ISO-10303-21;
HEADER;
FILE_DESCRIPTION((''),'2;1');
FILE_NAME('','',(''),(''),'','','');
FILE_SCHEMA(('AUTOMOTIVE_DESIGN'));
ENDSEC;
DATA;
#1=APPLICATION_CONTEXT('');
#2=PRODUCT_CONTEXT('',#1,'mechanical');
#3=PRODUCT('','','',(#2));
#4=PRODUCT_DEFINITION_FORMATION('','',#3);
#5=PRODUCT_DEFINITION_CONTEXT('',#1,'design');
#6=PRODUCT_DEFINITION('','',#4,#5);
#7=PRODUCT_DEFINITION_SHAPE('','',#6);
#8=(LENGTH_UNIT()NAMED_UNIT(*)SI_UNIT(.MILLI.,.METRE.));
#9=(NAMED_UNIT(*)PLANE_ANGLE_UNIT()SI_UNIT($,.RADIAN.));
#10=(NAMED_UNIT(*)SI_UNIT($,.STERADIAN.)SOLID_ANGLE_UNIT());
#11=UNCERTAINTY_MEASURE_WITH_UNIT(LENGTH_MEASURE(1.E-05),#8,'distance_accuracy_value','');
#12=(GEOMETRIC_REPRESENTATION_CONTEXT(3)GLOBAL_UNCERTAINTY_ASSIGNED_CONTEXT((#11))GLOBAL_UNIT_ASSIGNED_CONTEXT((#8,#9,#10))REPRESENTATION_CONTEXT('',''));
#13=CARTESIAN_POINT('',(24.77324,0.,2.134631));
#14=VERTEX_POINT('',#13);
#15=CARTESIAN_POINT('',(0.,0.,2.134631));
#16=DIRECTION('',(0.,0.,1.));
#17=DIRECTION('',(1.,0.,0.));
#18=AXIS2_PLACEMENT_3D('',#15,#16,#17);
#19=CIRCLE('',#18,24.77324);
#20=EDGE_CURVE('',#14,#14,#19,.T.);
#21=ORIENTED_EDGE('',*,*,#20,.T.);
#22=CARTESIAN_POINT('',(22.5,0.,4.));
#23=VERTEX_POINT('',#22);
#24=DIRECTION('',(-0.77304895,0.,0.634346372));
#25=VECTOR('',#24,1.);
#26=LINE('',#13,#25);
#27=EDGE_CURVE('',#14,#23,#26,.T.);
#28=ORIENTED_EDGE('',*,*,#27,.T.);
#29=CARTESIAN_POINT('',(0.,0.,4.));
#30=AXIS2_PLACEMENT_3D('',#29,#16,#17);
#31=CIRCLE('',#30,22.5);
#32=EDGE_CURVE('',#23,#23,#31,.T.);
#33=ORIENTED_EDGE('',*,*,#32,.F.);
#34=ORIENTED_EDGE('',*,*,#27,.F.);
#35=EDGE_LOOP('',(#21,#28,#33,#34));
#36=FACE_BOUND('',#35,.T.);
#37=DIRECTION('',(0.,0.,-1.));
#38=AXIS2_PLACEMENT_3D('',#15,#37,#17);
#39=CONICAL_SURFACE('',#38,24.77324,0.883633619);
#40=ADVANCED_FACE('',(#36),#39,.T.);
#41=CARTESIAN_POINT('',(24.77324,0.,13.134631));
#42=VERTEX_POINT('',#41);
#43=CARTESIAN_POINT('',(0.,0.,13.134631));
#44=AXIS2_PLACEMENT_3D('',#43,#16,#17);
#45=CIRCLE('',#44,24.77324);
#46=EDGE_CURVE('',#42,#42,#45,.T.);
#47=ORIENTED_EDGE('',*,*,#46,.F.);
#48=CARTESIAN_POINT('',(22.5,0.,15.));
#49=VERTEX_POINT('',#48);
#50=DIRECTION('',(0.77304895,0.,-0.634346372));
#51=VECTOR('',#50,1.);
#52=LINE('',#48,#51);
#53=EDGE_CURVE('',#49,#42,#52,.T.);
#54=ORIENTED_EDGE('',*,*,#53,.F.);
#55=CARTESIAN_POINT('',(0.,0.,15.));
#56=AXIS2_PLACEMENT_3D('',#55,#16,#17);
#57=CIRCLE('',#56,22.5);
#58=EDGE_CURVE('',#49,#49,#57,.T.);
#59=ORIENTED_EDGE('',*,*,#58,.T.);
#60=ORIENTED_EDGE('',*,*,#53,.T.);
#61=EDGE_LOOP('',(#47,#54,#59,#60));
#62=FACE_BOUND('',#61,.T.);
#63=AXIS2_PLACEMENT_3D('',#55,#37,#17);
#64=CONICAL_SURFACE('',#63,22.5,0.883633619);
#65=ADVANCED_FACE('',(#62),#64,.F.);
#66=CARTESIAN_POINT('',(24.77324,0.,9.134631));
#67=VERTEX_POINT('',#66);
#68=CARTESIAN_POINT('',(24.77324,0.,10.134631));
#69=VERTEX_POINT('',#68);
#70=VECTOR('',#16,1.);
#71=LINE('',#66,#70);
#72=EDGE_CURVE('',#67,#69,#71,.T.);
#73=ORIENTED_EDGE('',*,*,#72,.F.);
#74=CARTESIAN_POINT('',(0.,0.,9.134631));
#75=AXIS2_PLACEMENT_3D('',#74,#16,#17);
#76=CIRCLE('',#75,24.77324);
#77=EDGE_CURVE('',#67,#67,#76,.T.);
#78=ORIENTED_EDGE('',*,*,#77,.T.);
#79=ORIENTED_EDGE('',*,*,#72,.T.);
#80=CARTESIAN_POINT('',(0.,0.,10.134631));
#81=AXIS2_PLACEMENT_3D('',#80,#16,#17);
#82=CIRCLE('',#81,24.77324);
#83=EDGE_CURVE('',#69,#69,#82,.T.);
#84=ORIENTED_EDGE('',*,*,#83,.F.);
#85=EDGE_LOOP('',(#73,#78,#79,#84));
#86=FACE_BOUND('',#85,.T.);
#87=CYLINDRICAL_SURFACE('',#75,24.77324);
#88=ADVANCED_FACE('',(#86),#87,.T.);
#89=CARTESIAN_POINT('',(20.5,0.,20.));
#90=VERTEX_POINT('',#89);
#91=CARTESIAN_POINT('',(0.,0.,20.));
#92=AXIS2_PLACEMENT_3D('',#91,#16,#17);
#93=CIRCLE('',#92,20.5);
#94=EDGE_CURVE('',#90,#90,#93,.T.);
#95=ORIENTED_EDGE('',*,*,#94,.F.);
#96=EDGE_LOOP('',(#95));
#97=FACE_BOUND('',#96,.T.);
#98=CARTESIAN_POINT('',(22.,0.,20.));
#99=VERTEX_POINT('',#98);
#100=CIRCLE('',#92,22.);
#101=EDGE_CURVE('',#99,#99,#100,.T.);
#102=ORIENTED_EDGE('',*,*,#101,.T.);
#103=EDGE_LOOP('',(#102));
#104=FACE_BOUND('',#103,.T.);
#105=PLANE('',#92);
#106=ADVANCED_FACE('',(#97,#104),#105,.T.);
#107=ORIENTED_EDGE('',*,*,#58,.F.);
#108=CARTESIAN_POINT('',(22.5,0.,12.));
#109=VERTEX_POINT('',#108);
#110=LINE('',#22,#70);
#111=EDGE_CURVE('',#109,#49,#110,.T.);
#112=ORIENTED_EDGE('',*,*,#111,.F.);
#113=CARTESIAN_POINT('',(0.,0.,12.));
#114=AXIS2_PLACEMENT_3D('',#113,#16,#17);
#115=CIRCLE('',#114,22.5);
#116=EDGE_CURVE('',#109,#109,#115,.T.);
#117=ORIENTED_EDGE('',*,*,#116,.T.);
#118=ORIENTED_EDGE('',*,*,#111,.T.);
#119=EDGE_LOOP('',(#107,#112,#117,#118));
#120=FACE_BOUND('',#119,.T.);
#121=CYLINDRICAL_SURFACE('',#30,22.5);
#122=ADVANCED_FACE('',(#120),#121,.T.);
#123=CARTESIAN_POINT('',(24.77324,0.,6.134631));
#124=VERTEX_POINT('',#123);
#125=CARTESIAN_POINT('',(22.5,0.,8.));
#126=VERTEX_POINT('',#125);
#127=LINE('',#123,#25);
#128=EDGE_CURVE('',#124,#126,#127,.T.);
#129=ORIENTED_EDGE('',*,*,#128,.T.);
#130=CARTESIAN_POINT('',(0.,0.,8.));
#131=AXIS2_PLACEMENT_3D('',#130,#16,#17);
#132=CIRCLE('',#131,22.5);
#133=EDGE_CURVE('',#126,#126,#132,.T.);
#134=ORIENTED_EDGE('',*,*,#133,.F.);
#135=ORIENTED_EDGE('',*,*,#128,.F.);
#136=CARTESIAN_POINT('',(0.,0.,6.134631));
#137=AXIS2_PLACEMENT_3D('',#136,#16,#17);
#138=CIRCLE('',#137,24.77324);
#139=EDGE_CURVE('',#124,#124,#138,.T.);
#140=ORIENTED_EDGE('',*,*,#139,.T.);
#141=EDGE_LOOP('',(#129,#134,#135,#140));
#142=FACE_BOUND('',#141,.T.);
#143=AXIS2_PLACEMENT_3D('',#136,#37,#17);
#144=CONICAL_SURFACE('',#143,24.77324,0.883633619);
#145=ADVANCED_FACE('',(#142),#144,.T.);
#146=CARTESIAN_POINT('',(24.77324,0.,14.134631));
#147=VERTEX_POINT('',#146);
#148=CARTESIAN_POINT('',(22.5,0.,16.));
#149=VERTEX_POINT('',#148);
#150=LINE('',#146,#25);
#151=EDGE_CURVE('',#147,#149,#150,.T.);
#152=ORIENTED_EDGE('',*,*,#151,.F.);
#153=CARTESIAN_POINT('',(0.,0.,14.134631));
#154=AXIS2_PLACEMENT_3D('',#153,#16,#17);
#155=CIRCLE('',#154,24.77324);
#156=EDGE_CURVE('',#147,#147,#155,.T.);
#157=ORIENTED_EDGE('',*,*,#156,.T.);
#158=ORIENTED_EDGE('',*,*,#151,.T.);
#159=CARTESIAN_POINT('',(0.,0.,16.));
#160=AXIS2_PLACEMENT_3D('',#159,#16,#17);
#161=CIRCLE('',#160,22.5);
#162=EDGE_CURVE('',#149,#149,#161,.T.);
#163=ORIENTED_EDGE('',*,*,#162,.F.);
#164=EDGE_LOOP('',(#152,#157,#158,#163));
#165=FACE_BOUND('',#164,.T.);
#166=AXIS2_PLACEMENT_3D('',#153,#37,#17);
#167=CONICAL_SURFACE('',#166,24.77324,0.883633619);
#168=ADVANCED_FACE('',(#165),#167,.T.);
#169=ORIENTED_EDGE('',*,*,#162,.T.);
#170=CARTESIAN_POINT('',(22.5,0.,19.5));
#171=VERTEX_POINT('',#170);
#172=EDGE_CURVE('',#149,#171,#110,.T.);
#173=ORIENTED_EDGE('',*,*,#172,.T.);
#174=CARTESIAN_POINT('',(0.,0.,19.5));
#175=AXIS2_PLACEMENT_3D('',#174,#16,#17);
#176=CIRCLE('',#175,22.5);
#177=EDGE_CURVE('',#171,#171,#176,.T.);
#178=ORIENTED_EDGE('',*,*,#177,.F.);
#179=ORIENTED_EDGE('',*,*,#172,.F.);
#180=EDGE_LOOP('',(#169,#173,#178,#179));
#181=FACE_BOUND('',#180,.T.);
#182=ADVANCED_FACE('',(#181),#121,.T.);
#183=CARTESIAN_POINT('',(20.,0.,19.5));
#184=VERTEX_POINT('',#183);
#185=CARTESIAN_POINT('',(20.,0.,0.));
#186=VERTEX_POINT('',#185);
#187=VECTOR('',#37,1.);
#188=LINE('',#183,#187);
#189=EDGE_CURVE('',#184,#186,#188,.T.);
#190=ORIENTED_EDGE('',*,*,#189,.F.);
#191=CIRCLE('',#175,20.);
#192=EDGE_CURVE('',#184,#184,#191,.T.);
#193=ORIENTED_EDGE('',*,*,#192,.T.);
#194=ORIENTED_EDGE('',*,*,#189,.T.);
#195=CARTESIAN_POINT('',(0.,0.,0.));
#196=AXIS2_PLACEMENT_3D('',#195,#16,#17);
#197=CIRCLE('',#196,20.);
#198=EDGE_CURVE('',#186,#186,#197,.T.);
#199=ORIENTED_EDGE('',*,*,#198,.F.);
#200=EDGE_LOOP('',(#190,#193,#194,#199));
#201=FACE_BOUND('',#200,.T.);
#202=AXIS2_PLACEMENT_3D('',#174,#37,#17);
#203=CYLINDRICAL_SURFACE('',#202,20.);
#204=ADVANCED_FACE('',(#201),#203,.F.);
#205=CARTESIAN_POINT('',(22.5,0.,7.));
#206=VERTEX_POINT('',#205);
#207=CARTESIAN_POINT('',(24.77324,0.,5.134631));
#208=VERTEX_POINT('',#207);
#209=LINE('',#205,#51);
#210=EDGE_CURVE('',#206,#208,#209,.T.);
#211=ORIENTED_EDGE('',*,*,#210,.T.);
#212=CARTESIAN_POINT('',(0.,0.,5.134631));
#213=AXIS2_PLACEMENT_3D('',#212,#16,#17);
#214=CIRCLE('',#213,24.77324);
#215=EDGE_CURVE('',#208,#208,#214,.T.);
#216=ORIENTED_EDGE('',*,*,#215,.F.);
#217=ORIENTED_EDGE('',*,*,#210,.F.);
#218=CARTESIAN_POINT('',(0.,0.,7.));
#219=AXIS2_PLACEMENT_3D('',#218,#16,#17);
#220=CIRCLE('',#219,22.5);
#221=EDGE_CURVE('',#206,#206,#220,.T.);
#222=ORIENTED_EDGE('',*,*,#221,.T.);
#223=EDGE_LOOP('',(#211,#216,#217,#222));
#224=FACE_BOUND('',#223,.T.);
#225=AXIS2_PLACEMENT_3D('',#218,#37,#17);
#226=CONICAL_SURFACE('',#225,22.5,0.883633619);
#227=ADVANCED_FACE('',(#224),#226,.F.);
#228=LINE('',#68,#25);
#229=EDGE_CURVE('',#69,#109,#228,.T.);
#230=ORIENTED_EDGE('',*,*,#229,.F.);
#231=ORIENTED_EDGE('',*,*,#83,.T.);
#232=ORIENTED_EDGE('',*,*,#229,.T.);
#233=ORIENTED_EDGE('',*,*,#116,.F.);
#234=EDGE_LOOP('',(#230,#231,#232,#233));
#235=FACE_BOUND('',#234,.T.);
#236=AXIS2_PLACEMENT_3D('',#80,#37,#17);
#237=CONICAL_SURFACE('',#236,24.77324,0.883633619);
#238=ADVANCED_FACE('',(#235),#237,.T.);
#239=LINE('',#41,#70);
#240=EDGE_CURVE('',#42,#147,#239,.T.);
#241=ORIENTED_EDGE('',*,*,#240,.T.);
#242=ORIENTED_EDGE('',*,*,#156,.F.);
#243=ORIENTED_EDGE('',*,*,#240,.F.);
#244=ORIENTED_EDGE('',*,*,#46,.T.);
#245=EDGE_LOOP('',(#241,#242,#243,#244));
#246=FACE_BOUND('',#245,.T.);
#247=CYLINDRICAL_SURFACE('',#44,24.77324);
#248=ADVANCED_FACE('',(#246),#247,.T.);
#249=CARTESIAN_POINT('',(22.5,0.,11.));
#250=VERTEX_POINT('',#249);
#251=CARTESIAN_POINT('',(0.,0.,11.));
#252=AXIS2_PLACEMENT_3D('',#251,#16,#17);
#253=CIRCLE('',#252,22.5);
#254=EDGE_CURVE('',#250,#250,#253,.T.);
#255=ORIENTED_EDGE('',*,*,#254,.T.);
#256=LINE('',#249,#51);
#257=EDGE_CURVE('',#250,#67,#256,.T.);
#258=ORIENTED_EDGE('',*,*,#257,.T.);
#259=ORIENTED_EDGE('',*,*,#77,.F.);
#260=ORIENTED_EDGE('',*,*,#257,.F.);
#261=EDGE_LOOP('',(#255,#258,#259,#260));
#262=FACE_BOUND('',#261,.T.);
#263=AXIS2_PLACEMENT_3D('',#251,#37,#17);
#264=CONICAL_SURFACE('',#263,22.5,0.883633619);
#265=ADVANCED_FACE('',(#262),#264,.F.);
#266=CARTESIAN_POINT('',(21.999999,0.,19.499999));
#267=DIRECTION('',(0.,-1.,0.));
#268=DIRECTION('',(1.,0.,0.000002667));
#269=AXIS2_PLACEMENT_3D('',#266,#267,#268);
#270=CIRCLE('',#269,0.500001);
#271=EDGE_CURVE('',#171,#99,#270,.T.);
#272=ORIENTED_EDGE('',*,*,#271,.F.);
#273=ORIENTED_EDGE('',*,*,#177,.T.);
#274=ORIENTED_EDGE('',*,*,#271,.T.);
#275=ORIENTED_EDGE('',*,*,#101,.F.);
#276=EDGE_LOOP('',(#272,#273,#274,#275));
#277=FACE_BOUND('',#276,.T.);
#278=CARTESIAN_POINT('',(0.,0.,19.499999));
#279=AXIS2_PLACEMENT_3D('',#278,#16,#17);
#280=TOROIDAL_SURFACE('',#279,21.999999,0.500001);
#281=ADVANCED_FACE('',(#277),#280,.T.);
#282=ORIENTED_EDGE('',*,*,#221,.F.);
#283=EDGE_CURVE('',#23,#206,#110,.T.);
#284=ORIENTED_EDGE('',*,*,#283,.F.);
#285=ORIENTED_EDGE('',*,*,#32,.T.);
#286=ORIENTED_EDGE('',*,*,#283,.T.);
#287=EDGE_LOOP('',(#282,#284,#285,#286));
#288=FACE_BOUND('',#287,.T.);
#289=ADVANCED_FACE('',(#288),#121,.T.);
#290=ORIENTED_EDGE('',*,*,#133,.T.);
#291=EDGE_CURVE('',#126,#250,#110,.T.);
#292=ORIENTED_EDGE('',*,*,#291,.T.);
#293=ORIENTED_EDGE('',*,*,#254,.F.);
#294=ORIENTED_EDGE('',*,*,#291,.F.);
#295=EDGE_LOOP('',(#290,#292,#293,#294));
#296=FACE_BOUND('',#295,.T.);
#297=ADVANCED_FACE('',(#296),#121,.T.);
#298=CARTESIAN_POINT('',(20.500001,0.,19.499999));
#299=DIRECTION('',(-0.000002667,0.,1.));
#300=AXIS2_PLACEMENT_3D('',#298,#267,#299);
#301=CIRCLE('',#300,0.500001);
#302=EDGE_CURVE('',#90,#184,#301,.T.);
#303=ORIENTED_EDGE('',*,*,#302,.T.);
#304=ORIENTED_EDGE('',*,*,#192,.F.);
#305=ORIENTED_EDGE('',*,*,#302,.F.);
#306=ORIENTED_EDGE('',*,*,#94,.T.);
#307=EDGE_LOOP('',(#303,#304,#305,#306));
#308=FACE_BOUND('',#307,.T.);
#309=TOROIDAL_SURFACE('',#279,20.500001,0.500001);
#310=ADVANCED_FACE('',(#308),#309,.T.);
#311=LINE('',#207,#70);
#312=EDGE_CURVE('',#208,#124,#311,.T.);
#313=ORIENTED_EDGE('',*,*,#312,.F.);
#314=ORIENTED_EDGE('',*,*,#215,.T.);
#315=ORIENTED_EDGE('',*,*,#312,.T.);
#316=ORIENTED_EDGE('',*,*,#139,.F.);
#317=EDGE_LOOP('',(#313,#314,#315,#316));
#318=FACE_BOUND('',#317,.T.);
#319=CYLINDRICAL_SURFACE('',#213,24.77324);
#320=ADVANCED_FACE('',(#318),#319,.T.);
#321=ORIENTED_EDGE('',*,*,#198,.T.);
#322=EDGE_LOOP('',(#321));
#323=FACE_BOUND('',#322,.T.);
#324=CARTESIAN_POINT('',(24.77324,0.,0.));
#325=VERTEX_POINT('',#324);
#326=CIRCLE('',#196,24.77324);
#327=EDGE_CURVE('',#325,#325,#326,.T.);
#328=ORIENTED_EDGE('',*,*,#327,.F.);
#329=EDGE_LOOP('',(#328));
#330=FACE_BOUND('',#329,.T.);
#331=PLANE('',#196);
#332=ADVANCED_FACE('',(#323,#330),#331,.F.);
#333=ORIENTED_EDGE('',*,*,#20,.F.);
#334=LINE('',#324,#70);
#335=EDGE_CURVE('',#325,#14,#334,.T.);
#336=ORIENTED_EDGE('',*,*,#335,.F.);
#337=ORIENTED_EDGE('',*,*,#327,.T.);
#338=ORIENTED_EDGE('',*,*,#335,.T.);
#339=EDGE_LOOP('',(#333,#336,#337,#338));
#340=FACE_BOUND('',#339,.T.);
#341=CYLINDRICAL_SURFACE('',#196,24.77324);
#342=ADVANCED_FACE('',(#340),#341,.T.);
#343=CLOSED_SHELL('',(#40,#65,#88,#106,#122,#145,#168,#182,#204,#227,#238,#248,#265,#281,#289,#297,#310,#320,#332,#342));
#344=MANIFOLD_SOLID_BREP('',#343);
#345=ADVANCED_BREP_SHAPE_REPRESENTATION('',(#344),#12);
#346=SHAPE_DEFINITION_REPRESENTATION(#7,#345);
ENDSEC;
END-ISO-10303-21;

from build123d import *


with BuildPart() as f1:
    # F0 (on Front) → F1 (revolve)
    with BuildSketch(Plane.XZ):
        with BuildLine():
            Line((20, 19.5), (20, 0))
            Line((20, 0), (24.77324, 0))
            Line((24.77324, 0), (24.77324, 2.134631))
            Line((24.77324, 2.134631), (22.5, 4))
            Line((22.5, 4), (22.5, 7))
            Line((22.5, 7), (22.5, 8))
            Line((22.5, 8), (22.5, 11))
            Line((22.5, 11), (22.5, 12))
            Line((22.5, 12), (22.5, 15))
            Line((22.5, 15), (22.5, 16))
            Line((22.5, 16), (22.5, 19.5))
            ThreePointArc((22.5, 19.5), (22.353553, 19.853553), (22, 20))
            Line((22, 20), (20.5, 20))
            ThreePointArc((20.5, 20), (20.146447, 19.853553), (20, 19.5))
        make_face()
        Polygon((22.5, 8), (22.5, 7), (24.77324, 5.134631), (24.77324, 6.134631), align=None)
        Polygon((22.5, 12), (22.5, 11), (24.77324, 9.134631), (24.77324, 10.134631), align=None)
        Polygon((24.77324, 14.134631), (22.5, 16), (22.5, 15), (24.77324, 13.134631), align=None)
    revolve(axis=Axis((0, 0, 9.55633), (0, 0, 1)))


solid = f1.part
